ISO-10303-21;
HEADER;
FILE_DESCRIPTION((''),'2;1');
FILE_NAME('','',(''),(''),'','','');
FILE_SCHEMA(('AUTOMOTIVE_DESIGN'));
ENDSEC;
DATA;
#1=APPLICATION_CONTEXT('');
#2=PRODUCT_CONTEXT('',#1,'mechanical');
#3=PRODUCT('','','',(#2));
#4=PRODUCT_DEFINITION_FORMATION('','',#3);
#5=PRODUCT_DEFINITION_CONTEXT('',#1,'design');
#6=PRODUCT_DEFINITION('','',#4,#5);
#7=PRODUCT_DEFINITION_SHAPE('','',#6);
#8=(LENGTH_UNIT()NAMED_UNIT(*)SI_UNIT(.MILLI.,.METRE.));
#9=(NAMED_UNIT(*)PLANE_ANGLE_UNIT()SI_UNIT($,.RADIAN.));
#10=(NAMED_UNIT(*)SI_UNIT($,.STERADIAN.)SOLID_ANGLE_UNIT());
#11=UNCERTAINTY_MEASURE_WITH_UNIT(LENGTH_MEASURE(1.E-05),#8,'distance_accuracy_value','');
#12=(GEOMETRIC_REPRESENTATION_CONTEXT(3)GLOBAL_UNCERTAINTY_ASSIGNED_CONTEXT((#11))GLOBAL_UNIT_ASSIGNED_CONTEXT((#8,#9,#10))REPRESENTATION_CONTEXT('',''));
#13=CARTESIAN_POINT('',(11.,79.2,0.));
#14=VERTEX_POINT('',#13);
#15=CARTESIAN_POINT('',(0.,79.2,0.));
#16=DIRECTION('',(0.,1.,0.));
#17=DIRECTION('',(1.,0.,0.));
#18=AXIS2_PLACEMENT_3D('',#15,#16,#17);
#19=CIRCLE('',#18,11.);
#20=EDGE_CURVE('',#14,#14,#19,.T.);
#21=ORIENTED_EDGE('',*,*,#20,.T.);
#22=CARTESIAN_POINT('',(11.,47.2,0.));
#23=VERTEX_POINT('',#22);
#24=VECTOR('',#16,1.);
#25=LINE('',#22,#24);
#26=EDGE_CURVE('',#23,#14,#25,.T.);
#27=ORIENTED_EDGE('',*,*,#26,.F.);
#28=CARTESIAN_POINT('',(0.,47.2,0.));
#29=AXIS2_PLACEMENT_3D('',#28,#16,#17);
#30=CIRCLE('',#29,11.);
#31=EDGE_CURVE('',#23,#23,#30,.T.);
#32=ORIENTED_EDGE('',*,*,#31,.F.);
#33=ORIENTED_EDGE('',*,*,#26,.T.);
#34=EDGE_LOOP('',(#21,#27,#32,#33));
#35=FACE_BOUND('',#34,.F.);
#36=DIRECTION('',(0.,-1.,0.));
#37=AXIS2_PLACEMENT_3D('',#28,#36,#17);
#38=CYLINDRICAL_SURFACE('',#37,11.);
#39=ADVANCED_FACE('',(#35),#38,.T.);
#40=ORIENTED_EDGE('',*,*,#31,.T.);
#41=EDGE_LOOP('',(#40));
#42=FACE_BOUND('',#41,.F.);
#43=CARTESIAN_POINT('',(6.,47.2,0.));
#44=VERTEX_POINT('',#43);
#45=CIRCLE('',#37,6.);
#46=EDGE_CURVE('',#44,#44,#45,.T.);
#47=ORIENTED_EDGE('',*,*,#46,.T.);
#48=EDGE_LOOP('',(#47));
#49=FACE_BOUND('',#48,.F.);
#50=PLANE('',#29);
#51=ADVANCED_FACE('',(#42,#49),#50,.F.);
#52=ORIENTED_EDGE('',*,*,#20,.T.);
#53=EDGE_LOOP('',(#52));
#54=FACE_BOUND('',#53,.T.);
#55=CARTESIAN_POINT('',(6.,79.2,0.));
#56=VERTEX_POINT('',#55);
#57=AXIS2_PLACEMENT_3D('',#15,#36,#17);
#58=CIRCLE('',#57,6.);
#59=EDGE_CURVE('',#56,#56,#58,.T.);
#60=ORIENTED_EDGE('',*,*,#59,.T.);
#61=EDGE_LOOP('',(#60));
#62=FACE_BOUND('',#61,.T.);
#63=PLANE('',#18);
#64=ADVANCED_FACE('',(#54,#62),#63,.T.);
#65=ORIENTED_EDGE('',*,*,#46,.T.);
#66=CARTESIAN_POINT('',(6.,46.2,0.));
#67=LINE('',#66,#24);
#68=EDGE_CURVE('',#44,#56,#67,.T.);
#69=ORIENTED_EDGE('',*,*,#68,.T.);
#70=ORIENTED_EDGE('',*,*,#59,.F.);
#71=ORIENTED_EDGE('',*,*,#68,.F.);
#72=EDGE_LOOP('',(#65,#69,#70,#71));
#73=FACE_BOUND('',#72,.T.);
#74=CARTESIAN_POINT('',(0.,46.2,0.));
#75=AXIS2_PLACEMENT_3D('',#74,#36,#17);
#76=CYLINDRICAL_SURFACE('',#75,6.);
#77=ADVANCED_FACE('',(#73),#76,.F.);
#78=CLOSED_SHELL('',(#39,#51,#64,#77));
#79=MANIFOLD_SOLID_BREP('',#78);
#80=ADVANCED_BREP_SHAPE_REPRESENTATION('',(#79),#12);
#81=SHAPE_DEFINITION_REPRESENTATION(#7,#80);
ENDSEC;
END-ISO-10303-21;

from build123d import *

# Parameters (mm, degrees)
LM12UU_0_INT_R          = 6
LM12UU_0_INT_DEPTH      = 34
LM12UU_0_INT_ROLL_ANGLE = -90
LM12UU_0_EXT_R          = 11
LM12UU_0_EXT_DEPTH      = 32
LM12UU_0_EXT_ROLL_ANGLE = -90


with BuildPart() as lm12uu_0_int:
    # lm12uu_0_int → lm12uu_0_int (new body)
    with BuildSketch(Plane.XY):
        Circle(LM12UU_0_INT_R)
    extrude(amount=LM12UU_0_INT_DEPTH)


with BuildPart() as lm12uu_0_int_1:
    # lm12uu_0_int roll: moved
    add(lm12uu_0_int.part.rotate(Axis((0, 0, 0), (1, 0, 0)), LM12UU_0_INT_ROLL_ANGLE))


with BuildPart() as lm12uu_0_int_2:
    # lm12uu_0_int placement: moved
    add(lm12uu_0_int_1.part.moved(Location((0, -82.2, 0))))


with BuildPart() as clone:
    # lm12uu_0_ext → lm12uu_0_ext (new body)
    with BuildSketch(Plane.XY):
        Circle(LM12UU_0_EXT_R)
    extrude(amount=LM12UU_0_EXT_DEPTH)


with BuildPart() as clone_1:
    # lm12uu_0_ext roll: moved
    add(clone.part.rotate(Axis((0, 0, 0), (1, 0, 0)), LM12UU_0_EXT_ROLL_ANGLE))


with BuildPart() as clone_2:
    # lm12uu_0_ext placement: moved
    add(clone_1.part.moved(Location((0, -81.2, 0))))

    # lm12uu_0: cut lm12uu_0_int
    add(lm12uu_0_int_2.part, mode=Mode.SUBTRACT)


with BuildPart() as clone_3:
    # Clone placement: moved
    add(clone_2.part.moved(Location((0, 128.4, 0))))


solid = clone_3.part
